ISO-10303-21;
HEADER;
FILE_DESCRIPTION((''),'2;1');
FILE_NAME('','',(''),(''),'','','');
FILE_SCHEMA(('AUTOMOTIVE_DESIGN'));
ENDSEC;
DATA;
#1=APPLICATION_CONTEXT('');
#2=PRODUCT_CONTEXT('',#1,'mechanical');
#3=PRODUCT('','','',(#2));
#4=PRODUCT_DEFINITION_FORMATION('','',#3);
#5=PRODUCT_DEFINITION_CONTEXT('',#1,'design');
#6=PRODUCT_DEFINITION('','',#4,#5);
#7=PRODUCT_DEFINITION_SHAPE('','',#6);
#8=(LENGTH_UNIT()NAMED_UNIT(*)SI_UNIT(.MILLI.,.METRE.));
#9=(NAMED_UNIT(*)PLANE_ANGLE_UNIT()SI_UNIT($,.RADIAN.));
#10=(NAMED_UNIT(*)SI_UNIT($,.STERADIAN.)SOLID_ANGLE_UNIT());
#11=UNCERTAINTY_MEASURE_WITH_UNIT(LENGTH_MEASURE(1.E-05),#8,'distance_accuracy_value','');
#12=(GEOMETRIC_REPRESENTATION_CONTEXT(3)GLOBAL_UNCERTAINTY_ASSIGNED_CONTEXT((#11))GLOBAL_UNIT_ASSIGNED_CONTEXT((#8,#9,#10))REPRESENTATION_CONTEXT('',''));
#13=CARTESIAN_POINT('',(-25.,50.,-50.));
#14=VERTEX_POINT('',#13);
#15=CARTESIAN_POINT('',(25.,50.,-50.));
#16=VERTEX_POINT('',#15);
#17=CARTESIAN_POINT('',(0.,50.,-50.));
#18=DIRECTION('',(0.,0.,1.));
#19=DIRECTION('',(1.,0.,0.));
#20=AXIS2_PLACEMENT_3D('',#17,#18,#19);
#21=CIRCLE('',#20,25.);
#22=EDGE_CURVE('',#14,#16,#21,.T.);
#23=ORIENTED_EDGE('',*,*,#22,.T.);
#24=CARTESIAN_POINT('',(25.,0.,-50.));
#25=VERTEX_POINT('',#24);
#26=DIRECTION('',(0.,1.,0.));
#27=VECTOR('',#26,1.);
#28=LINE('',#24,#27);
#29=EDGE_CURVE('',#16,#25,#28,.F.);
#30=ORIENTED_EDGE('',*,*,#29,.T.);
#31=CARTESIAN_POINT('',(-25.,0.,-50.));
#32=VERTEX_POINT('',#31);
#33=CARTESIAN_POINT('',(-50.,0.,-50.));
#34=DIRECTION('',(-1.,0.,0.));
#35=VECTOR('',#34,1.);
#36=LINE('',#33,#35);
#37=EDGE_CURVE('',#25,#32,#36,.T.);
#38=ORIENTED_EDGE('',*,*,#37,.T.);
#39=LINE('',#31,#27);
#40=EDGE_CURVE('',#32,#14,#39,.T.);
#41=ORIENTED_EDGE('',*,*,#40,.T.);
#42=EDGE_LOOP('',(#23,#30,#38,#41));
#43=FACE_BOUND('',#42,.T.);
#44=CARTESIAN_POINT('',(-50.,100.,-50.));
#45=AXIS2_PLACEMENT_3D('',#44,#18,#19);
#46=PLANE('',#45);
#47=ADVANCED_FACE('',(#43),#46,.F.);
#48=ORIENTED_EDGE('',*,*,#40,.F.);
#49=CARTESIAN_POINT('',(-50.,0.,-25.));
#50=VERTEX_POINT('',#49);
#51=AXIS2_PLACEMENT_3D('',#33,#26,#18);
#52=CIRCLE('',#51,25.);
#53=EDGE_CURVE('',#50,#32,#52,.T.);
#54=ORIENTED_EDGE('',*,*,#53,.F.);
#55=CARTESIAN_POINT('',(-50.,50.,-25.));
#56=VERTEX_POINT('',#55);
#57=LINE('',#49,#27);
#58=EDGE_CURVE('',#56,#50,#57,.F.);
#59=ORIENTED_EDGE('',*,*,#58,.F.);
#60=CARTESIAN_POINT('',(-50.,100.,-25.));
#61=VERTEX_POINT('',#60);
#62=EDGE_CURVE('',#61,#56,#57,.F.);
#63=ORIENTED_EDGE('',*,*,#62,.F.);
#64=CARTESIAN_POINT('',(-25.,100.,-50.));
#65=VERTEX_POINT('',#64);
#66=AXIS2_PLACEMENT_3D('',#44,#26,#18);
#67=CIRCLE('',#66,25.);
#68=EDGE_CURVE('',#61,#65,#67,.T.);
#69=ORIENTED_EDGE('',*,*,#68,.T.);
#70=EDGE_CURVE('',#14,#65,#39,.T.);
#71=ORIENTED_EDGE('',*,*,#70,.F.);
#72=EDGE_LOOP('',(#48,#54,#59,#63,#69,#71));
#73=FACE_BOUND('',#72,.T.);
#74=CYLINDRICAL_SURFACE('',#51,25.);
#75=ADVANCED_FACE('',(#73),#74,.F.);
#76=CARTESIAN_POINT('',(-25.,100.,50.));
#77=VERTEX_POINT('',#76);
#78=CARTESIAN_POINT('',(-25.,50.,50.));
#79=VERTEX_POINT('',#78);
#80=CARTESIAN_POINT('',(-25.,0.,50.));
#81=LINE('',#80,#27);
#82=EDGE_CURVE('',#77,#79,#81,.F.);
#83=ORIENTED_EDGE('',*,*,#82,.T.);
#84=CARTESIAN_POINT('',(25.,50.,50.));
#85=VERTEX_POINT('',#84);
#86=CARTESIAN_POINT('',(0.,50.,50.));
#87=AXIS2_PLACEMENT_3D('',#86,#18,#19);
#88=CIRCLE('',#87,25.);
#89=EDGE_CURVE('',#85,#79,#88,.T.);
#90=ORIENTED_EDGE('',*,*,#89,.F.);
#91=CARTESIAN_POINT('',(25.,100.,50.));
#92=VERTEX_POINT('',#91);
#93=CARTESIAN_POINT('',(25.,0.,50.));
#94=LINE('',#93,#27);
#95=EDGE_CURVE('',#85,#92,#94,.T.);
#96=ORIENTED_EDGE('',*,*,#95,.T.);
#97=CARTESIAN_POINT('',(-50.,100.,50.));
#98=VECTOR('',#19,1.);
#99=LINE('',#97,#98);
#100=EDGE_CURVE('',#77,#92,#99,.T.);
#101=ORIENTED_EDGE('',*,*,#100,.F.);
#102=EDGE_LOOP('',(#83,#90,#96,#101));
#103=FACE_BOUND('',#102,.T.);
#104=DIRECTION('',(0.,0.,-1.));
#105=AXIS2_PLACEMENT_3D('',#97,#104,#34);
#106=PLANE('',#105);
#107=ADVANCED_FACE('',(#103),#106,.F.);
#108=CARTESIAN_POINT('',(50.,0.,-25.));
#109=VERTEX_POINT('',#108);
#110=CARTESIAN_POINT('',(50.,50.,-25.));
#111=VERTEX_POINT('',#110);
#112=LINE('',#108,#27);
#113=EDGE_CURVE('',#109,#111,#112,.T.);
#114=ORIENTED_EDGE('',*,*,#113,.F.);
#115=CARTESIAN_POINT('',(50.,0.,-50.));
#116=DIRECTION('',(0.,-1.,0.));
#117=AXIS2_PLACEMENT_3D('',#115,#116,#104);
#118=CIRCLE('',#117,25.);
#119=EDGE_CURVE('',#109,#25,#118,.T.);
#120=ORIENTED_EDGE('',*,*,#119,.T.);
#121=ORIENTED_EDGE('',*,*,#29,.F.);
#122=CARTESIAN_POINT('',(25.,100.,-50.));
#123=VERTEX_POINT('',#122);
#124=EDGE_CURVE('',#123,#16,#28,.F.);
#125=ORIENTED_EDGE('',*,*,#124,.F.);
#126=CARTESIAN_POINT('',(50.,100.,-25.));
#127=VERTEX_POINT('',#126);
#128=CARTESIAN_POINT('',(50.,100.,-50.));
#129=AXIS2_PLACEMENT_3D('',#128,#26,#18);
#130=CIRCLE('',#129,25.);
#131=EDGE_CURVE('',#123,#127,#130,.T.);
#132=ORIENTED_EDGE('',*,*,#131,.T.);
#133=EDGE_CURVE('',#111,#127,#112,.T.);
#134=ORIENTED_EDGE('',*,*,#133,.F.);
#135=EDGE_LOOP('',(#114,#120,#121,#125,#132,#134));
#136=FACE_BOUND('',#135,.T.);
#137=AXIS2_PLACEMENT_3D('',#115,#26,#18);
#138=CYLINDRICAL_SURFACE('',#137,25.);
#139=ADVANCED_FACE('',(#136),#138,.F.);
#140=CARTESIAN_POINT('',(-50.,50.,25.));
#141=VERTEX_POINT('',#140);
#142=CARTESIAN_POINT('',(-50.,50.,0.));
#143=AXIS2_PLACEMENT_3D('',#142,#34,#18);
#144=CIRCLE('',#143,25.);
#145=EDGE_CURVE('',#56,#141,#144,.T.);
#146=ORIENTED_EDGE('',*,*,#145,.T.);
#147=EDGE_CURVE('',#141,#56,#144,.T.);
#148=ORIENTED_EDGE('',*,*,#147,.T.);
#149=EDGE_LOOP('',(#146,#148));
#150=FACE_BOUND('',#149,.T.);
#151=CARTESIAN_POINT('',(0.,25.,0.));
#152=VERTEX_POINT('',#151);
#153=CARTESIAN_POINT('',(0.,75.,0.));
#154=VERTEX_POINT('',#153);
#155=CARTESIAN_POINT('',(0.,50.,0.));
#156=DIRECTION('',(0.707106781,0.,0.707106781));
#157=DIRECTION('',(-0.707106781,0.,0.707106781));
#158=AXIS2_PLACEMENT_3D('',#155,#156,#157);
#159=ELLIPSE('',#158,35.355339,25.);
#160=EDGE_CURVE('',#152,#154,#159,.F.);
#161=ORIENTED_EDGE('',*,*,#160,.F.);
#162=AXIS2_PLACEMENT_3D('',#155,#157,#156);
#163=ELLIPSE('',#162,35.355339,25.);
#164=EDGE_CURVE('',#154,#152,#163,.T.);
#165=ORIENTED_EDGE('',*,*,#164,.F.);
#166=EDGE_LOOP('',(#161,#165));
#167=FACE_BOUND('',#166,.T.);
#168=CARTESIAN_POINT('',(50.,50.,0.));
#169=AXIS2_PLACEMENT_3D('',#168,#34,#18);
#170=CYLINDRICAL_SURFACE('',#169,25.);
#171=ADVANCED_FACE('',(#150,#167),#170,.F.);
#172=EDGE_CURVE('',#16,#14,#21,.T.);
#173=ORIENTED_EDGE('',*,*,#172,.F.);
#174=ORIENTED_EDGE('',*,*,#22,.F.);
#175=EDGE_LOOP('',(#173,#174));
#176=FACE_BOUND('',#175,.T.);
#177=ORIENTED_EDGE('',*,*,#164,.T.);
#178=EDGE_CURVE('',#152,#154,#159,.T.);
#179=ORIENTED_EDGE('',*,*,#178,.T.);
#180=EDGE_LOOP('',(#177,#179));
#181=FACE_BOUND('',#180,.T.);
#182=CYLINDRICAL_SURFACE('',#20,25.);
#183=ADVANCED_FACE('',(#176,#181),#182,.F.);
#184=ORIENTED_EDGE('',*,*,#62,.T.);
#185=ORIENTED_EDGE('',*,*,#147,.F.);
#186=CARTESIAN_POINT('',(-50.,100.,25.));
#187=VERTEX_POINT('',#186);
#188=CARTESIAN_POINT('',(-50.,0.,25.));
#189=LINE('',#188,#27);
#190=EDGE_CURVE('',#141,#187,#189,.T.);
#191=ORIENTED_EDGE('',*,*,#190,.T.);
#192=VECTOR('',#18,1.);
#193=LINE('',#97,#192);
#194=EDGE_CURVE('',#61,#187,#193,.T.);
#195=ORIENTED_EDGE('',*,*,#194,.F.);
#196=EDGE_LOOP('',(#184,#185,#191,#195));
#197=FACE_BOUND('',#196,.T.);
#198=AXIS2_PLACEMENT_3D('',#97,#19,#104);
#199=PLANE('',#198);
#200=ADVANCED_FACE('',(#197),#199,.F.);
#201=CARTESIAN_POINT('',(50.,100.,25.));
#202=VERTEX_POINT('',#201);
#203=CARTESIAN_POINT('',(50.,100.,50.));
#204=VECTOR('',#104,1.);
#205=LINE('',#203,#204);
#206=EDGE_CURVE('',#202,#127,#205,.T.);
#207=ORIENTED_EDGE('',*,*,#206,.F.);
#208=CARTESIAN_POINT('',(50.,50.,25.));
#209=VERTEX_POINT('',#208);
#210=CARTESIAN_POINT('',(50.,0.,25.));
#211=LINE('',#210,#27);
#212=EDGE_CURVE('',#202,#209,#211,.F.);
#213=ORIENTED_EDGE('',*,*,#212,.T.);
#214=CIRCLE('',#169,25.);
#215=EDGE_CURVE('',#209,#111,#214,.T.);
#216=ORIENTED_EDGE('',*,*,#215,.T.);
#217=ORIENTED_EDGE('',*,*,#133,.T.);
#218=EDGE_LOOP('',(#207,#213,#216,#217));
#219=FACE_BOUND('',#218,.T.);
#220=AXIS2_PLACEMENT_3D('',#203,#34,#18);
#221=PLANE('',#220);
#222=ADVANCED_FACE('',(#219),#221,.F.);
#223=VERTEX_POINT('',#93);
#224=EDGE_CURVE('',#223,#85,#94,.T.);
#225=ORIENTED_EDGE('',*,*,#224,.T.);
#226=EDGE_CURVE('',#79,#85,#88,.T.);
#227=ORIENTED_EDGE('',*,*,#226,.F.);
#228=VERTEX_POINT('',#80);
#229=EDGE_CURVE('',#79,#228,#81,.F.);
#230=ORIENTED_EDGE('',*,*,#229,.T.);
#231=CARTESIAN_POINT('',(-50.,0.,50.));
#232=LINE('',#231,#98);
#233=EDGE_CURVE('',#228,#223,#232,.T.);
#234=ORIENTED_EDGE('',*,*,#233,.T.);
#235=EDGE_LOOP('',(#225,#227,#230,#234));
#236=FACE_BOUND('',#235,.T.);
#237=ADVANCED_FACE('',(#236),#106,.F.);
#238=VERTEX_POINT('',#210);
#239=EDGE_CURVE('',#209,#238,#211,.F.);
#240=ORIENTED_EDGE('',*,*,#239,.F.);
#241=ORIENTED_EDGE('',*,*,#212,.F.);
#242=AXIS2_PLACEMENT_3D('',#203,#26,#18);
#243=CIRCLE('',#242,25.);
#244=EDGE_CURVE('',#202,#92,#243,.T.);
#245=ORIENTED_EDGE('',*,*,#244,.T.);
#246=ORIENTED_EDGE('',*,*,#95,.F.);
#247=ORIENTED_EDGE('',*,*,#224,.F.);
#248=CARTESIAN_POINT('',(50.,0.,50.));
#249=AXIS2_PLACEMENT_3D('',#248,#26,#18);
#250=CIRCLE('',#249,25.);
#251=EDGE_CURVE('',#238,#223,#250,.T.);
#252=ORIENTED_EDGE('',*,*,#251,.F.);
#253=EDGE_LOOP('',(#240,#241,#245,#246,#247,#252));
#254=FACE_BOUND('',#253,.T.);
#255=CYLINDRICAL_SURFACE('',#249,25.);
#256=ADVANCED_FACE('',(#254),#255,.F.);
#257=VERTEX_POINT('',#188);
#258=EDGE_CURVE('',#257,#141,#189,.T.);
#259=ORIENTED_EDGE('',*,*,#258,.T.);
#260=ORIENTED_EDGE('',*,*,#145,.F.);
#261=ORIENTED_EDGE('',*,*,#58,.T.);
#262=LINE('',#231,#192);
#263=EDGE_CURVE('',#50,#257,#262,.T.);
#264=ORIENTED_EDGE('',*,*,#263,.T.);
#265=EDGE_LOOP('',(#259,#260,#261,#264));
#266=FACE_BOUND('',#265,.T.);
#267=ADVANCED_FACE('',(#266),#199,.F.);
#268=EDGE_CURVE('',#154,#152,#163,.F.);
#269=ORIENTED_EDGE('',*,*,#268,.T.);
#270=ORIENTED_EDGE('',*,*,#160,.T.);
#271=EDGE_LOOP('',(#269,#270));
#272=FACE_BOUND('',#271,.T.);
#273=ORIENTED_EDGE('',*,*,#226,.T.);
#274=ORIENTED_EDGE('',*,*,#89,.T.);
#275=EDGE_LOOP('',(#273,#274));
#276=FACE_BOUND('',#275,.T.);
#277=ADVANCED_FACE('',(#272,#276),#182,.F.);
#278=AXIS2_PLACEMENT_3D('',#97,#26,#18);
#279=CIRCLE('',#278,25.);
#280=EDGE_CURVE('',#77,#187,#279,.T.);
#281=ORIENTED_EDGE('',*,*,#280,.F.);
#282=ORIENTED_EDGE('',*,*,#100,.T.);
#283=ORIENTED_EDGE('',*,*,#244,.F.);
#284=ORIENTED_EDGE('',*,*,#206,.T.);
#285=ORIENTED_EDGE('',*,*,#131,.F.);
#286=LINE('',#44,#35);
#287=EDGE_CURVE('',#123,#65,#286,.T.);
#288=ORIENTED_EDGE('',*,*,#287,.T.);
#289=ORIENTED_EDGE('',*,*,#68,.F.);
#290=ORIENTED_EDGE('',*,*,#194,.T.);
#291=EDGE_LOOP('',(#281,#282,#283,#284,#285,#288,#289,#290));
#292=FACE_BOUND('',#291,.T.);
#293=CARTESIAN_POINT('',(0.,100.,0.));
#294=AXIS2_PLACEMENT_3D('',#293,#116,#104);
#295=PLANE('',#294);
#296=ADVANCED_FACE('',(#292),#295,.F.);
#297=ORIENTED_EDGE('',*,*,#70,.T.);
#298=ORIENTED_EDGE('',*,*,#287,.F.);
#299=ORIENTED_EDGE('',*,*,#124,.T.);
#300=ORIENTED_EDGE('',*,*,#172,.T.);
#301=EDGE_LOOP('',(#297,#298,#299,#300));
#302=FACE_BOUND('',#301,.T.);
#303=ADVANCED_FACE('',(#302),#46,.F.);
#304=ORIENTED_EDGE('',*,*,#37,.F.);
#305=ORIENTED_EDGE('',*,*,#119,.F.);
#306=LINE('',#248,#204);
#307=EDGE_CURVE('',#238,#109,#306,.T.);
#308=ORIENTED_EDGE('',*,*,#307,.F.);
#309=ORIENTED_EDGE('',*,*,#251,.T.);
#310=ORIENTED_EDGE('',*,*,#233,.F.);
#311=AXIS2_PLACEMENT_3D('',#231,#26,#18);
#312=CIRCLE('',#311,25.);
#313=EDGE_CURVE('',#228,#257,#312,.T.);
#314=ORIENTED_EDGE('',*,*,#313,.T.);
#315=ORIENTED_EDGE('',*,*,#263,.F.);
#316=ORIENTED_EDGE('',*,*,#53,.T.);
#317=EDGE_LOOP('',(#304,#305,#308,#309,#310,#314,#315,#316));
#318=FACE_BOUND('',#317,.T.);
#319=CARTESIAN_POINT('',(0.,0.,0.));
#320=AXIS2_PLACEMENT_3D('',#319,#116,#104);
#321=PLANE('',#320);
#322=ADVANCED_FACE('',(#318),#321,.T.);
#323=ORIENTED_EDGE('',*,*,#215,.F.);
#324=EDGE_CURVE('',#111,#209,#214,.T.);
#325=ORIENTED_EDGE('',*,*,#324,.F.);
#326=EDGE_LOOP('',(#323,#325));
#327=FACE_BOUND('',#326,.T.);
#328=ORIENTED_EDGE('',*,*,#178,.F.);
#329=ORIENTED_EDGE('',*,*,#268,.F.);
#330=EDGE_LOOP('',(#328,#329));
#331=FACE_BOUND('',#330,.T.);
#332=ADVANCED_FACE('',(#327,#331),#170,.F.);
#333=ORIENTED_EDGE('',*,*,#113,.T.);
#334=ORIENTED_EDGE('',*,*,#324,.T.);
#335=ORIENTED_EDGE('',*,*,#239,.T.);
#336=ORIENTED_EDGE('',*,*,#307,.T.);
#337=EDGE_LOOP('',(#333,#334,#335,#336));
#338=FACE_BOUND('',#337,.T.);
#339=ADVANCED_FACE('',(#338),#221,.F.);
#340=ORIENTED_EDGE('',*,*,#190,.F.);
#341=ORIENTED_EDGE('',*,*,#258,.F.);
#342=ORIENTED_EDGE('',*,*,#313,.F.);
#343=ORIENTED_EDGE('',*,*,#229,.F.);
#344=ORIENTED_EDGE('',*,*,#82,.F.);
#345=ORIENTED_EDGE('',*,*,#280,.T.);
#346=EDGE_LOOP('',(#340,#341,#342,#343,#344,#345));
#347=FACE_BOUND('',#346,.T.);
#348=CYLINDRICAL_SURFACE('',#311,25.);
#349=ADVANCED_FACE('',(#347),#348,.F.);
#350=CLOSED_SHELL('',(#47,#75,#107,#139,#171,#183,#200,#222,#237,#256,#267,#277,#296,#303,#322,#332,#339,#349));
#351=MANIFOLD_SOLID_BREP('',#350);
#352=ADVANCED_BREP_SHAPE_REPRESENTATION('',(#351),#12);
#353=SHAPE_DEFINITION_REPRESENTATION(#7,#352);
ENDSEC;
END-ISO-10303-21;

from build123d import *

# Parameters (mm, degrees)
SKETCH1_W            = 100
SKETCH1_H            = 100
BOSS_EXTRUDE1_DEPTH  = 100
SKETCH3_R            = 25
CUT_EXTRUDE3_DEPTH   = 151
SKETCH5_R            = 25
CUT_EXTRUDE4_DEPTH   = 151
SKETCH9_R            = 25
CUT_EXTRUDE5_DEPTH   = 100
LPATTERN1_COUNT      = 2
LPATTERN1_PITCH      = 100
LPATTERN1_COUNT_DIR2 = 2
LPATTERN1_PITCH_DIR2 = 100


with BuildPart() as part:
    # Sketch1 → Boss-Extrude1 (new body)
    with BuildSketch(Plane(origin=(0, 0, 0), x_dir=(1, 0, 0), z_dir=(0, 1, 0))):
        Rectangle(SKETCH1_W, SKETCH1_H)
    extrude(amount=BOSS_EXTRUDE1_DEPTH)

    # Sketch3 → Cut-Extrude3 (cut, through all)
    with BuildSketch(Plane.XY.offset(50)):
        with Locations((0, 50)):
            Circle(SKETCH3_R)
    extrude(amount=-CUT_EXTRUDE3_DEPTH, mode=Mode.SUBTRACT)

    # Sketch5 → Cut-Extrude4 (cut, through all)
    with BuildSketch(Plane.ZY.offset(50)):
        with Locations((0, 50)):
            Circle(SKETCH5_R)
    extrude(amount=-CUT_EXTRUDE4_DEPTH, mode=Mode.SUBTRACT)

    # Sketch9 → Cut-Extrude5 (cut)
    with BuildSketch(Plane.ZX.offset(100)):
        with Locations((-50, -50)):
            Circle(SKETCH9_R)
    cut_extrude5 = extrude(amount=-CUT_EXTRUDE5_DEPTH, mode=Mode.SUBTRACT)

    # LPattern1: Cut-Extrude5 2 × 2
    with Locations(*[(i * LPATTERN1_PITCH, 0, j * LPATTERN1_PITCH_DIR2) for i in range(LPATTERN1_COUNT) for j in range(LPATTERN1_COUNT_DIR2) if (i, j) != (0, 0)]):
        add(cut_extrude5, mode=Mode.SUBTRACT)


solid = part.part
